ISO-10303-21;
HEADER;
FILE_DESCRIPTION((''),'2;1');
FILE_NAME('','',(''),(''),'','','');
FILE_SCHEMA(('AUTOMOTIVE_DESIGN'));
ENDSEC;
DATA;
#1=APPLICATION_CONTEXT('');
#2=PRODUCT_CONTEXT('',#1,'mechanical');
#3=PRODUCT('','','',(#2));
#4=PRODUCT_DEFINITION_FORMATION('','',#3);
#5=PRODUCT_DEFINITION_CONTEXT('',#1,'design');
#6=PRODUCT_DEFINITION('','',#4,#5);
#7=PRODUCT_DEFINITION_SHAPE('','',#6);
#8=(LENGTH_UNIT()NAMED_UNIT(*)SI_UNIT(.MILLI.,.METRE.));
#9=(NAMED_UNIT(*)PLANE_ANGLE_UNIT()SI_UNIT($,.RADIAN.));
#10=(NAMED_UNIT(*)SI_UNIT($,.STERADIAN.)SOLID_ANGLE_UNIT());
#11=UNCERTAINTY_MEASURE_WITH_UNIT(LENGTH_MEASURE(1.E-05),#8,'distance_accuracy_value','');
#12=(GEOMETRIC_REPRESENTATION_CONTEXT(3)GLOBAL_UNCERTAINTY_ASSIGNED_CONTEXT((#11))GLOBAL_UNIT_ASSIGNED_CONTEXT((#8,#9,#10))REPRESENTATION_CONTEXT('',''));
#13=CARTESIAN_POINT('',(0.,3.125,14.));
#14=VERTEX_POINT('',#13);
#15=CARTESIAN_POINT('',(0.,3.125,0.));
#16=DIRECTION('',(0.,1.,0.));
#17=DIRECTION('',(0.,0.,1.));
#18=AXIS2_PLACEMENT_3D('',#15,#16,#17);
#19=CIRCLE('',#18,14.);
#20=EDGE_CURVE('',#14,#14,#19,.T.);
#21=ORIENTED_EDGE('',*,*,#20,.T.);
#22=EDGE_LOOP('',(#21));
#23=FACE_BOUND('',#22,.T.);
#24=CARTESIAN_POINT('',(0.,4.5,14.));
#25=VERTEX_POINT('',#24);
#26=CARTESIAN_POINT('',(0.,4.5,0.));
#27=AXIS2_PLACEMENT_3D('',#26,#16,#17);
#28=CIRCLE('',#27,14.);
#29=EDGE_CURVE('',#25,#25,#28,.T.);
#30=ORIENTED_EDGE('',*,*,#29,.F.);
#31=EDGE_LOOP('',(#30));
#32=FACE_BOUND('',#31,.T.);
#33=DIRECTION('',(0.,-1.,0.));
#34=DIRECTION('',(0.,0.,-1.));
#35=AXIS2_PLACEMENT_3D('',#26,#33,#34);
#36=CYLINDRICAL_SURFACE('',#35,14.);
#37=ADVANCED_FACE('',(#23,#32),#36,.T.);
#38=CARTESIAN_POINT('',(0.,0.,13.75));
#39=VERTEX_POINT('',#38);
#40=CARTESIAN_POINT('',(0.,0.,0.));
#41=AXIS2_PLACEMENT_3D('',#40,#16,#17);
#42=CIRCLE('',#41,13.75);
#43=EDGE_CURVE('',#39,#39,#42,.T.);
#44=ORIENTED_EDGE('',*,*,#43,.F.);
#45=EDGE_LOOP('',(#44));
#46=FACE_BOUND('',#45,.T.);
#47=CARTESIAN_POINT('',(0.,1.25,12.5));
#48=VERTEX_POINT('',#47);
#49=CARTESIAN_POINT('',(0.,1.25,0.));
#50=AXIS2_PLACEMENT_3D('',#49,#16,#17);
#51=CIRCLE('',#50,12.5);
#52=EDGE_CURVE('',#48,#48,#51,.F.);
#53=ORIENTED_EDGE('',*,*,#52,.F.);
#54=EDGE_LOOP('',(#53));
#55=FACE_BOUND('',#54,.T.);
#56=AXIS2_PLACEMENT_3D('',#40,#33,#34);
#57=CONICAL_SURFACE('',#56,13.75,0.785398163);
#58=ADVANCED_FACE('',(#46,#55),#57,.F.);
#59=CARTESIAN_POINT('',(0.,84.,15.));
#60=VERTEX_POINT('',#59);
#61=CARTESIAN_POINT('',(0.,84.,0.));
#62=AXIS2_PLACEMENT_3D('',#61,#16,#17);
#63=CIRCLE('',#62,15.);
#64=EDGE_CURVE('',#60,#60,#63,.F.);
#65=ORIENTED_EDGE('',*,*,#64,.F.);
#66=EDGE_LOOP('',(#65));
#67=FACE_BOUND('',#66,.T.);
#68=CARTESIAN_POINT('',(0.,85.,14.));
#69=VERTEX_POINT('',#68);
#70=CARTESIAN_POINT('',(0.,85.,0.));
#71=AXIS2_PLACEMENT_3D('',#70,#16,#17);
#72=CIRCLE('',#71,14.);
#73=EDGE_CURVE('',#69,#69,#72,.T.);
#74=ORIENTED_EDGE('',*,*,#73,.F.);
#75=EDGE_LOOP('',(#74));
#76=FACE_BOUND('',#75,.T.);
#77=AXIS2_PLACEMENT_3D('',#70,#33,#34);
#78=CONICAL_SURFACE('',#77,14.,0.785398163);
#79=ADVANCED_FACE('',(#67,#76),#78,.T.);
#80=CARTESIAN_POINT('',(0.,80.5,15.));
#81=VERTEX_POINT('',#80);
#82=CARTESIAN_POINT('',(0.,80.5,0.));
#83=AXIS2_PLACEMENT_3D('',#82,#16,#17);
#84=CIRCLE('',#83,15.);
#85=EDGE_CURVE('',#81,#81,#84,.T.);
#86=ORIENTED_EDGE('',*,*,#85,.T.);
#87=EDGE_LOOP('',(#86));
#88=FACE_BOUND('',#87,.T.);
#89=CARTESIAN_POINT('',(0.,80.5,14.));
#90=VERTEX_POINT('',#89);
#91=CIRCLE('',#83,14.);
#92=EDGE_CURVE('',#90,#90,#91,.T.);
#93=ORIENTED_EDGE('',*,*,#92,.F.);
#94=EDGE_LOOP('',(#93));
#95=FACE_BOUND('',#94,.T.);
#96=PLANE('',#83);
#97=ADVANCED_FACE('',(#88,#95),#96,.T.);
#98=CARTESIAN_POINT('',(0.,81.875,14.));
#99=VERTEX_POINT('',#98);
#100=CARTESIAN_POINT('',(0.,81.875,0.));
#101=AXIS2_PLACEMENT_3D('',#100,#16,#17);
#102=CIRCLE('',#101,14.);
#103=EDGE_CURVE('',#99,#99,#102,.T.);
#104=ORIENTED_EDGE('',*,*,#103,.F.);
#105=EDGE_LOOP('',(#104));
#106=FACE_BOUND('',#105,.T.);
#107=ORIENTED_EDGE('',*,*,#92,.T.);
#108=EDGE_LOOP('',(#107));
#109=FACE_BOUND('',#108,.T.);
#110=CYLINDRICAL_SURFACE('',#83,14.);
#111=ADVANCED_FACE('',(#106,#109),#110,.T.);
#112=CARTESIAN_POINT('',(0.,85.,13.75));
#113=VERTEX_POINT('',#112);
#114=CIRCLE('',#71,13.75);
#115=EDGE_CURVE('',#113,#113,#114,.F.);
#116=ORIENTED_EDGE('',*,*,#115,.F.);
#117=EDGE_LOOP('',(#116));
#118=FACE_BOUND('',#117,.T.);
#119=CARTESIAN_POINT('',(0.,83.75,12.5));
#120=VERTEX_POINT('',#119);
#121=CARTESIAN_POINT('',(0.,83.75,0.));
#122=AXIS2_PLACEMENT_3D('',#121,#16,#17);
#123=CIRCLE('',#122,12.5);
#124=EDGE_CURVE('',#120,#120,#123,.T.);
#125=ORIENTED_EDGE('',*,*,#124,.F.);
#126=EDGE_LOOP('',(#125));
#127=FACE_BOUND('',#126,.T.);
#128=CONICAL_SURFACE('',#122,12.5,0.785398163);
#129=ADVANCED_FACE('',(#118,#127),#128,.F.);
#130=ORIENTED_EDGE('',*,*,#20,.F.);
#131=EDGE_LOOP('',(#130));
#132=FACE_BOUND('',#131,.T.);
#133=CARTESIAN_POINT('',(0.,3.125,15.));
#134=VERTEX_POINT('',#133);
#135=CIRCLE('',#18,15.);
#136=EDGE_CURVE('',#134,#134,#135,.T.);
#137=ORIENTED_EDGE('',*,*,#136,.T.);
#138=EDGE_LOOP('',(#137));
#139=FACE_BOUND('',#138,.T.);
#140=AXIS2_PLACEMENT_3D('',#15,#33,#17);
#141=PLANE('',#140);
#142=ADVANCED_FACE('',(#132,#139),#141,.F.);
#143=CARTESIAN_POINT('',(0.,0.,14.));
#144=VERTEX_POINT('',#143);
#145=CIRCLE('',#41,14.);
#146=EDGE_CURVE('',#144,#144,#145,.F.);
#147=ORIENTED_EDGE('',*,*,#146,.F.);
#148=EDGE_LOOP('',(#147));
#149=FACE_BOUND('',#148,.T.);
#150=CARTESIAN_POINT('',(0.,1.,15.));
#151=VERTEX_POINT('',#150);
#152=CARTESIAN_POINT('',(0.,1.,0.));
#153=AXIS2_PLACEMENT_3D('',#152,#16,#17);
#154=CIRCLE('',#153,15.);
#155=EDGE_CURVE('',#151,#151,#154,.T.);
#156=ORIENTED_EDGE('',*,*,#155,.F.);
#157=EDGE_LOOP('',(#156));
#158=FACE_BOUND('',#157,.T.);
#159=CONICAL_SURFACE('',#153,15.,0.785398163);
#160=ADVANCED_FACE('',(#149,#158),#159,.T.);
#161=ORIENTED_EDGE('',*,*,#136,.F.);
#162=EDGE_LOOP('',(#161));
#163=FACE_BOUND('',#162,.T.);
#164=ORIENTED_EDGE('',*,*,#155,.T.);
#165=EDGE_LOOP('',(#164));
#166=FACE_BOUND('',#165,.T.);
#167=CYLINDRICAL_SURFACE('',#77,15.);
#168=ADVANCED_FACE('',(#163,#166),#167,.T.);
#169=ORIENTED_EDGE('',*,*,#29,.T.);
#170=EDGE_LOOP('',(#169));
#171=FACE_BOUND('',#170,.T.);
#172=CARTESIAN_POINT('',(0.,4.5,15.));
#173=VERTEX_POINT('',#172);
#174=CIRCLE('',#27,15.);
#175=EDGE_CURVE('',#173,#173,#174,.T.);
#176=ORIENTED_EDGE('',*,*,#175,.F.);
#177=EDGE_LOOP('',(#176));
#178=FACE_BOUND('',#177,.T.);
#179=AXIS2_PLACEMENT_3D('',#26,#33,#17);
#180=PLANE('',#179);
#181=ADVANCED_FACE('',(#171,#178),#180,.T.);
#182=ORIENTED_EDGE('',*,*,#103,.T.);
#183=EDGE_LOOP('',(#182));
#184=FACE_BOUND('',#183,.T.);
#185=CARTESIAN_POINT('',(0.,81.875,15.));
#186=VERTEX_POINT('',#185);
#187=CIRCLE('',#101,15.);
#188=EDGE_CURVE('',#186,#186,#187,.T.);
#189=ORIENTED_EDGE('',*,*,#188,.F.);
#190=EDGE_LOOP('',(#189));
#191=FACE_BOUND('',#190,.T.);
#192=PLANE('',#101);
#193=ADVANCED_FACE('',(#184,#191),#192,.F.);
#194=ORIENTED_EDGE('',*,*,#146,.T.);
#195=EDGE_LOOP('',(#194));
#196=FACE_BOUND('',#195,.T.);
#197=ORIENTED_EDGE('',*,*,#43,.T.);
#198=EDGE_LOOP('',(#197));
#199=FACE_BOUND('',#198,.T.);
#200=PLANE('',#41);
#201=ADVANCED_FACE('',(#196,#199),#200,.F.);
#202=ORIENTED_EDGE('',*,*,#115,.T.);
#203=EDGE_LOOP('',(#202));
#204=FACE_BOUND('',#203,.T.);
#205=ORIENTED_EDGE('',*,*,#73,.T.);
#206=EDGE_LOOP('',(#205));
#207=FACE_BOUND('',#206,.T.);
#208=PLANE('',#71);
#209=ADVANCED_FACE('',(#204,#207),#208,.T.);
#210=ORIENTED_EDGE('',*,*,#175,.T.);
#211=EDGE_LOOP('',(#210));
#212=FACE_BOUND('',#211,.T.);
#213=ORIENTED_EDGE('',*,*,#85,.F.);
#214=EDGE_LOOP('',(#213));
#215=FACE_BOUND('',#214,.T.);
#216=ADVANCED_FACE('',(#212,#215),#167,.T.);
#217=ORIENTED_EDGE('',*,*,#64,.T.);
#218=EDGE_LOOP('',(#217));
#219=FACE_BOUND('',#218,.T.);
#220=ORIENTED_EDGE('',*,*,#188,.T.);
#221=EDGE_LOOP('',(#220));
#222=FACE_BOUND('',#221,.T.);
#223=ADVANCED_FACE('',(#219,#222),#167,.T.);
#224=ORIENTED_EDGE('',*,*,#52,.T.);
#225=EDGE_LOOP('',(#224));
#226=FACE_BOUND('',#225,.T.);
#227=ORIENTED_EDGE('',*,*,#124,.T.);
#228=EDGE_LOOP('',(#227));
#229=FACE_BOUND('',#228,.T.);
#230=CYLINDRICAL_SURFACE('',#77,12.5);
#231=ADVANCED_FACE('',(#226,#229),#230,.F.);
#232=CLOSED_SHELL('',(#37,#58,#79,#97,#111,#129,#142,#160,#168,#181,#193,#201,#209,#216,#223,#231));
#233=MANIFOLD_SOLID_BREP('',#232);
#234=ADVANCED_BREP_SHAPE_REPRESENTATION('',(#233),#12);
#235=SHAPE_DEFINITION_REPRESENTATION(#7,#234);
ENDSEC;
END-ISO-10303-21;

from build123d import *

# Parameters (mm, degrees)
SKETCH1_R           = 15
SKETCH1_R_2         = 12.5
BOSS_EXTRUDE1_DEPTH = 85
CUT_EXTRUDE1_START  = -1.375
SKETCH2_R           = 15
SKETCH2_R_2         = 14
CUT_EXTRUDE1_DEPTH  = 1.375
CHAMFER1_SIZE       = 1.25
CHAMFER2_SIZE       = 1


with BuildPart() as part:
    # Sketch1 → Boss-Extrude1 (new body)
    with BuildSketch(Plane(origin=(0, 0, 0), x_dir=(1, 0, 0), z_dir=(0, 1, 0))):
        with Locations(Location((0, 0, 0), (0, 0, 270))):
            Circle(SKETCH1_R)
        with Locations(Location((0, 0, 0), (0, 0, 270))):
            Circle(SKETCH1_R_2, mode=Mode.SUBTRACT)
    extrude(amount=BOSS_EXTRUDE1_DEPTH)

    # Sketch2 → Cut-Extrude1 (cut)
    with BuildSketch(Plane(origin=(0, 81.875, 0), x_dir=(1, 0, 0), z_dir=(0, 1, 0)).offset(CUT_EXTRUDE1_START)):
        with Locations(Location((0, 0, 0), (0, 0, 270))):
            Circle(SKETCH2_R)
        with Locations(Location((0, 0, 0), (0, 0, 270))):
            Circle(SKETCH2_R_2, mode=Mode.SUBTRACT)
    cut_extrude1 = extrude(amount=CUT_EXTRUDE1_DEPTH, mode=Mode.SUBTRACT)

    # Mirror1: Cut-Extrude1 across plane
    add(cut_extrude1.mirror(Plane.ZX.offset(42.5)), mode=Mode.SUBTRACT)

    # Chamfer1
    chamfer1_edges = [part.edges().sort_by_distance(p)[0] for p in [
        (0, 0, -12.5),
        (0, 85, -12.5),
    ]]
    chamfer(chamfer1_edges, length=CHAMFER1_SIZE)

    # Chamfer2
    chamfer2_edges = [part.edges().sort_by_distance(p)[0] for p in [
        (0, 0, -15),
        (0, 85, -15),
    ]]
    chamfer(chamfer2_edges, length=CHAMFER2_SIZE)


solid = part.part
